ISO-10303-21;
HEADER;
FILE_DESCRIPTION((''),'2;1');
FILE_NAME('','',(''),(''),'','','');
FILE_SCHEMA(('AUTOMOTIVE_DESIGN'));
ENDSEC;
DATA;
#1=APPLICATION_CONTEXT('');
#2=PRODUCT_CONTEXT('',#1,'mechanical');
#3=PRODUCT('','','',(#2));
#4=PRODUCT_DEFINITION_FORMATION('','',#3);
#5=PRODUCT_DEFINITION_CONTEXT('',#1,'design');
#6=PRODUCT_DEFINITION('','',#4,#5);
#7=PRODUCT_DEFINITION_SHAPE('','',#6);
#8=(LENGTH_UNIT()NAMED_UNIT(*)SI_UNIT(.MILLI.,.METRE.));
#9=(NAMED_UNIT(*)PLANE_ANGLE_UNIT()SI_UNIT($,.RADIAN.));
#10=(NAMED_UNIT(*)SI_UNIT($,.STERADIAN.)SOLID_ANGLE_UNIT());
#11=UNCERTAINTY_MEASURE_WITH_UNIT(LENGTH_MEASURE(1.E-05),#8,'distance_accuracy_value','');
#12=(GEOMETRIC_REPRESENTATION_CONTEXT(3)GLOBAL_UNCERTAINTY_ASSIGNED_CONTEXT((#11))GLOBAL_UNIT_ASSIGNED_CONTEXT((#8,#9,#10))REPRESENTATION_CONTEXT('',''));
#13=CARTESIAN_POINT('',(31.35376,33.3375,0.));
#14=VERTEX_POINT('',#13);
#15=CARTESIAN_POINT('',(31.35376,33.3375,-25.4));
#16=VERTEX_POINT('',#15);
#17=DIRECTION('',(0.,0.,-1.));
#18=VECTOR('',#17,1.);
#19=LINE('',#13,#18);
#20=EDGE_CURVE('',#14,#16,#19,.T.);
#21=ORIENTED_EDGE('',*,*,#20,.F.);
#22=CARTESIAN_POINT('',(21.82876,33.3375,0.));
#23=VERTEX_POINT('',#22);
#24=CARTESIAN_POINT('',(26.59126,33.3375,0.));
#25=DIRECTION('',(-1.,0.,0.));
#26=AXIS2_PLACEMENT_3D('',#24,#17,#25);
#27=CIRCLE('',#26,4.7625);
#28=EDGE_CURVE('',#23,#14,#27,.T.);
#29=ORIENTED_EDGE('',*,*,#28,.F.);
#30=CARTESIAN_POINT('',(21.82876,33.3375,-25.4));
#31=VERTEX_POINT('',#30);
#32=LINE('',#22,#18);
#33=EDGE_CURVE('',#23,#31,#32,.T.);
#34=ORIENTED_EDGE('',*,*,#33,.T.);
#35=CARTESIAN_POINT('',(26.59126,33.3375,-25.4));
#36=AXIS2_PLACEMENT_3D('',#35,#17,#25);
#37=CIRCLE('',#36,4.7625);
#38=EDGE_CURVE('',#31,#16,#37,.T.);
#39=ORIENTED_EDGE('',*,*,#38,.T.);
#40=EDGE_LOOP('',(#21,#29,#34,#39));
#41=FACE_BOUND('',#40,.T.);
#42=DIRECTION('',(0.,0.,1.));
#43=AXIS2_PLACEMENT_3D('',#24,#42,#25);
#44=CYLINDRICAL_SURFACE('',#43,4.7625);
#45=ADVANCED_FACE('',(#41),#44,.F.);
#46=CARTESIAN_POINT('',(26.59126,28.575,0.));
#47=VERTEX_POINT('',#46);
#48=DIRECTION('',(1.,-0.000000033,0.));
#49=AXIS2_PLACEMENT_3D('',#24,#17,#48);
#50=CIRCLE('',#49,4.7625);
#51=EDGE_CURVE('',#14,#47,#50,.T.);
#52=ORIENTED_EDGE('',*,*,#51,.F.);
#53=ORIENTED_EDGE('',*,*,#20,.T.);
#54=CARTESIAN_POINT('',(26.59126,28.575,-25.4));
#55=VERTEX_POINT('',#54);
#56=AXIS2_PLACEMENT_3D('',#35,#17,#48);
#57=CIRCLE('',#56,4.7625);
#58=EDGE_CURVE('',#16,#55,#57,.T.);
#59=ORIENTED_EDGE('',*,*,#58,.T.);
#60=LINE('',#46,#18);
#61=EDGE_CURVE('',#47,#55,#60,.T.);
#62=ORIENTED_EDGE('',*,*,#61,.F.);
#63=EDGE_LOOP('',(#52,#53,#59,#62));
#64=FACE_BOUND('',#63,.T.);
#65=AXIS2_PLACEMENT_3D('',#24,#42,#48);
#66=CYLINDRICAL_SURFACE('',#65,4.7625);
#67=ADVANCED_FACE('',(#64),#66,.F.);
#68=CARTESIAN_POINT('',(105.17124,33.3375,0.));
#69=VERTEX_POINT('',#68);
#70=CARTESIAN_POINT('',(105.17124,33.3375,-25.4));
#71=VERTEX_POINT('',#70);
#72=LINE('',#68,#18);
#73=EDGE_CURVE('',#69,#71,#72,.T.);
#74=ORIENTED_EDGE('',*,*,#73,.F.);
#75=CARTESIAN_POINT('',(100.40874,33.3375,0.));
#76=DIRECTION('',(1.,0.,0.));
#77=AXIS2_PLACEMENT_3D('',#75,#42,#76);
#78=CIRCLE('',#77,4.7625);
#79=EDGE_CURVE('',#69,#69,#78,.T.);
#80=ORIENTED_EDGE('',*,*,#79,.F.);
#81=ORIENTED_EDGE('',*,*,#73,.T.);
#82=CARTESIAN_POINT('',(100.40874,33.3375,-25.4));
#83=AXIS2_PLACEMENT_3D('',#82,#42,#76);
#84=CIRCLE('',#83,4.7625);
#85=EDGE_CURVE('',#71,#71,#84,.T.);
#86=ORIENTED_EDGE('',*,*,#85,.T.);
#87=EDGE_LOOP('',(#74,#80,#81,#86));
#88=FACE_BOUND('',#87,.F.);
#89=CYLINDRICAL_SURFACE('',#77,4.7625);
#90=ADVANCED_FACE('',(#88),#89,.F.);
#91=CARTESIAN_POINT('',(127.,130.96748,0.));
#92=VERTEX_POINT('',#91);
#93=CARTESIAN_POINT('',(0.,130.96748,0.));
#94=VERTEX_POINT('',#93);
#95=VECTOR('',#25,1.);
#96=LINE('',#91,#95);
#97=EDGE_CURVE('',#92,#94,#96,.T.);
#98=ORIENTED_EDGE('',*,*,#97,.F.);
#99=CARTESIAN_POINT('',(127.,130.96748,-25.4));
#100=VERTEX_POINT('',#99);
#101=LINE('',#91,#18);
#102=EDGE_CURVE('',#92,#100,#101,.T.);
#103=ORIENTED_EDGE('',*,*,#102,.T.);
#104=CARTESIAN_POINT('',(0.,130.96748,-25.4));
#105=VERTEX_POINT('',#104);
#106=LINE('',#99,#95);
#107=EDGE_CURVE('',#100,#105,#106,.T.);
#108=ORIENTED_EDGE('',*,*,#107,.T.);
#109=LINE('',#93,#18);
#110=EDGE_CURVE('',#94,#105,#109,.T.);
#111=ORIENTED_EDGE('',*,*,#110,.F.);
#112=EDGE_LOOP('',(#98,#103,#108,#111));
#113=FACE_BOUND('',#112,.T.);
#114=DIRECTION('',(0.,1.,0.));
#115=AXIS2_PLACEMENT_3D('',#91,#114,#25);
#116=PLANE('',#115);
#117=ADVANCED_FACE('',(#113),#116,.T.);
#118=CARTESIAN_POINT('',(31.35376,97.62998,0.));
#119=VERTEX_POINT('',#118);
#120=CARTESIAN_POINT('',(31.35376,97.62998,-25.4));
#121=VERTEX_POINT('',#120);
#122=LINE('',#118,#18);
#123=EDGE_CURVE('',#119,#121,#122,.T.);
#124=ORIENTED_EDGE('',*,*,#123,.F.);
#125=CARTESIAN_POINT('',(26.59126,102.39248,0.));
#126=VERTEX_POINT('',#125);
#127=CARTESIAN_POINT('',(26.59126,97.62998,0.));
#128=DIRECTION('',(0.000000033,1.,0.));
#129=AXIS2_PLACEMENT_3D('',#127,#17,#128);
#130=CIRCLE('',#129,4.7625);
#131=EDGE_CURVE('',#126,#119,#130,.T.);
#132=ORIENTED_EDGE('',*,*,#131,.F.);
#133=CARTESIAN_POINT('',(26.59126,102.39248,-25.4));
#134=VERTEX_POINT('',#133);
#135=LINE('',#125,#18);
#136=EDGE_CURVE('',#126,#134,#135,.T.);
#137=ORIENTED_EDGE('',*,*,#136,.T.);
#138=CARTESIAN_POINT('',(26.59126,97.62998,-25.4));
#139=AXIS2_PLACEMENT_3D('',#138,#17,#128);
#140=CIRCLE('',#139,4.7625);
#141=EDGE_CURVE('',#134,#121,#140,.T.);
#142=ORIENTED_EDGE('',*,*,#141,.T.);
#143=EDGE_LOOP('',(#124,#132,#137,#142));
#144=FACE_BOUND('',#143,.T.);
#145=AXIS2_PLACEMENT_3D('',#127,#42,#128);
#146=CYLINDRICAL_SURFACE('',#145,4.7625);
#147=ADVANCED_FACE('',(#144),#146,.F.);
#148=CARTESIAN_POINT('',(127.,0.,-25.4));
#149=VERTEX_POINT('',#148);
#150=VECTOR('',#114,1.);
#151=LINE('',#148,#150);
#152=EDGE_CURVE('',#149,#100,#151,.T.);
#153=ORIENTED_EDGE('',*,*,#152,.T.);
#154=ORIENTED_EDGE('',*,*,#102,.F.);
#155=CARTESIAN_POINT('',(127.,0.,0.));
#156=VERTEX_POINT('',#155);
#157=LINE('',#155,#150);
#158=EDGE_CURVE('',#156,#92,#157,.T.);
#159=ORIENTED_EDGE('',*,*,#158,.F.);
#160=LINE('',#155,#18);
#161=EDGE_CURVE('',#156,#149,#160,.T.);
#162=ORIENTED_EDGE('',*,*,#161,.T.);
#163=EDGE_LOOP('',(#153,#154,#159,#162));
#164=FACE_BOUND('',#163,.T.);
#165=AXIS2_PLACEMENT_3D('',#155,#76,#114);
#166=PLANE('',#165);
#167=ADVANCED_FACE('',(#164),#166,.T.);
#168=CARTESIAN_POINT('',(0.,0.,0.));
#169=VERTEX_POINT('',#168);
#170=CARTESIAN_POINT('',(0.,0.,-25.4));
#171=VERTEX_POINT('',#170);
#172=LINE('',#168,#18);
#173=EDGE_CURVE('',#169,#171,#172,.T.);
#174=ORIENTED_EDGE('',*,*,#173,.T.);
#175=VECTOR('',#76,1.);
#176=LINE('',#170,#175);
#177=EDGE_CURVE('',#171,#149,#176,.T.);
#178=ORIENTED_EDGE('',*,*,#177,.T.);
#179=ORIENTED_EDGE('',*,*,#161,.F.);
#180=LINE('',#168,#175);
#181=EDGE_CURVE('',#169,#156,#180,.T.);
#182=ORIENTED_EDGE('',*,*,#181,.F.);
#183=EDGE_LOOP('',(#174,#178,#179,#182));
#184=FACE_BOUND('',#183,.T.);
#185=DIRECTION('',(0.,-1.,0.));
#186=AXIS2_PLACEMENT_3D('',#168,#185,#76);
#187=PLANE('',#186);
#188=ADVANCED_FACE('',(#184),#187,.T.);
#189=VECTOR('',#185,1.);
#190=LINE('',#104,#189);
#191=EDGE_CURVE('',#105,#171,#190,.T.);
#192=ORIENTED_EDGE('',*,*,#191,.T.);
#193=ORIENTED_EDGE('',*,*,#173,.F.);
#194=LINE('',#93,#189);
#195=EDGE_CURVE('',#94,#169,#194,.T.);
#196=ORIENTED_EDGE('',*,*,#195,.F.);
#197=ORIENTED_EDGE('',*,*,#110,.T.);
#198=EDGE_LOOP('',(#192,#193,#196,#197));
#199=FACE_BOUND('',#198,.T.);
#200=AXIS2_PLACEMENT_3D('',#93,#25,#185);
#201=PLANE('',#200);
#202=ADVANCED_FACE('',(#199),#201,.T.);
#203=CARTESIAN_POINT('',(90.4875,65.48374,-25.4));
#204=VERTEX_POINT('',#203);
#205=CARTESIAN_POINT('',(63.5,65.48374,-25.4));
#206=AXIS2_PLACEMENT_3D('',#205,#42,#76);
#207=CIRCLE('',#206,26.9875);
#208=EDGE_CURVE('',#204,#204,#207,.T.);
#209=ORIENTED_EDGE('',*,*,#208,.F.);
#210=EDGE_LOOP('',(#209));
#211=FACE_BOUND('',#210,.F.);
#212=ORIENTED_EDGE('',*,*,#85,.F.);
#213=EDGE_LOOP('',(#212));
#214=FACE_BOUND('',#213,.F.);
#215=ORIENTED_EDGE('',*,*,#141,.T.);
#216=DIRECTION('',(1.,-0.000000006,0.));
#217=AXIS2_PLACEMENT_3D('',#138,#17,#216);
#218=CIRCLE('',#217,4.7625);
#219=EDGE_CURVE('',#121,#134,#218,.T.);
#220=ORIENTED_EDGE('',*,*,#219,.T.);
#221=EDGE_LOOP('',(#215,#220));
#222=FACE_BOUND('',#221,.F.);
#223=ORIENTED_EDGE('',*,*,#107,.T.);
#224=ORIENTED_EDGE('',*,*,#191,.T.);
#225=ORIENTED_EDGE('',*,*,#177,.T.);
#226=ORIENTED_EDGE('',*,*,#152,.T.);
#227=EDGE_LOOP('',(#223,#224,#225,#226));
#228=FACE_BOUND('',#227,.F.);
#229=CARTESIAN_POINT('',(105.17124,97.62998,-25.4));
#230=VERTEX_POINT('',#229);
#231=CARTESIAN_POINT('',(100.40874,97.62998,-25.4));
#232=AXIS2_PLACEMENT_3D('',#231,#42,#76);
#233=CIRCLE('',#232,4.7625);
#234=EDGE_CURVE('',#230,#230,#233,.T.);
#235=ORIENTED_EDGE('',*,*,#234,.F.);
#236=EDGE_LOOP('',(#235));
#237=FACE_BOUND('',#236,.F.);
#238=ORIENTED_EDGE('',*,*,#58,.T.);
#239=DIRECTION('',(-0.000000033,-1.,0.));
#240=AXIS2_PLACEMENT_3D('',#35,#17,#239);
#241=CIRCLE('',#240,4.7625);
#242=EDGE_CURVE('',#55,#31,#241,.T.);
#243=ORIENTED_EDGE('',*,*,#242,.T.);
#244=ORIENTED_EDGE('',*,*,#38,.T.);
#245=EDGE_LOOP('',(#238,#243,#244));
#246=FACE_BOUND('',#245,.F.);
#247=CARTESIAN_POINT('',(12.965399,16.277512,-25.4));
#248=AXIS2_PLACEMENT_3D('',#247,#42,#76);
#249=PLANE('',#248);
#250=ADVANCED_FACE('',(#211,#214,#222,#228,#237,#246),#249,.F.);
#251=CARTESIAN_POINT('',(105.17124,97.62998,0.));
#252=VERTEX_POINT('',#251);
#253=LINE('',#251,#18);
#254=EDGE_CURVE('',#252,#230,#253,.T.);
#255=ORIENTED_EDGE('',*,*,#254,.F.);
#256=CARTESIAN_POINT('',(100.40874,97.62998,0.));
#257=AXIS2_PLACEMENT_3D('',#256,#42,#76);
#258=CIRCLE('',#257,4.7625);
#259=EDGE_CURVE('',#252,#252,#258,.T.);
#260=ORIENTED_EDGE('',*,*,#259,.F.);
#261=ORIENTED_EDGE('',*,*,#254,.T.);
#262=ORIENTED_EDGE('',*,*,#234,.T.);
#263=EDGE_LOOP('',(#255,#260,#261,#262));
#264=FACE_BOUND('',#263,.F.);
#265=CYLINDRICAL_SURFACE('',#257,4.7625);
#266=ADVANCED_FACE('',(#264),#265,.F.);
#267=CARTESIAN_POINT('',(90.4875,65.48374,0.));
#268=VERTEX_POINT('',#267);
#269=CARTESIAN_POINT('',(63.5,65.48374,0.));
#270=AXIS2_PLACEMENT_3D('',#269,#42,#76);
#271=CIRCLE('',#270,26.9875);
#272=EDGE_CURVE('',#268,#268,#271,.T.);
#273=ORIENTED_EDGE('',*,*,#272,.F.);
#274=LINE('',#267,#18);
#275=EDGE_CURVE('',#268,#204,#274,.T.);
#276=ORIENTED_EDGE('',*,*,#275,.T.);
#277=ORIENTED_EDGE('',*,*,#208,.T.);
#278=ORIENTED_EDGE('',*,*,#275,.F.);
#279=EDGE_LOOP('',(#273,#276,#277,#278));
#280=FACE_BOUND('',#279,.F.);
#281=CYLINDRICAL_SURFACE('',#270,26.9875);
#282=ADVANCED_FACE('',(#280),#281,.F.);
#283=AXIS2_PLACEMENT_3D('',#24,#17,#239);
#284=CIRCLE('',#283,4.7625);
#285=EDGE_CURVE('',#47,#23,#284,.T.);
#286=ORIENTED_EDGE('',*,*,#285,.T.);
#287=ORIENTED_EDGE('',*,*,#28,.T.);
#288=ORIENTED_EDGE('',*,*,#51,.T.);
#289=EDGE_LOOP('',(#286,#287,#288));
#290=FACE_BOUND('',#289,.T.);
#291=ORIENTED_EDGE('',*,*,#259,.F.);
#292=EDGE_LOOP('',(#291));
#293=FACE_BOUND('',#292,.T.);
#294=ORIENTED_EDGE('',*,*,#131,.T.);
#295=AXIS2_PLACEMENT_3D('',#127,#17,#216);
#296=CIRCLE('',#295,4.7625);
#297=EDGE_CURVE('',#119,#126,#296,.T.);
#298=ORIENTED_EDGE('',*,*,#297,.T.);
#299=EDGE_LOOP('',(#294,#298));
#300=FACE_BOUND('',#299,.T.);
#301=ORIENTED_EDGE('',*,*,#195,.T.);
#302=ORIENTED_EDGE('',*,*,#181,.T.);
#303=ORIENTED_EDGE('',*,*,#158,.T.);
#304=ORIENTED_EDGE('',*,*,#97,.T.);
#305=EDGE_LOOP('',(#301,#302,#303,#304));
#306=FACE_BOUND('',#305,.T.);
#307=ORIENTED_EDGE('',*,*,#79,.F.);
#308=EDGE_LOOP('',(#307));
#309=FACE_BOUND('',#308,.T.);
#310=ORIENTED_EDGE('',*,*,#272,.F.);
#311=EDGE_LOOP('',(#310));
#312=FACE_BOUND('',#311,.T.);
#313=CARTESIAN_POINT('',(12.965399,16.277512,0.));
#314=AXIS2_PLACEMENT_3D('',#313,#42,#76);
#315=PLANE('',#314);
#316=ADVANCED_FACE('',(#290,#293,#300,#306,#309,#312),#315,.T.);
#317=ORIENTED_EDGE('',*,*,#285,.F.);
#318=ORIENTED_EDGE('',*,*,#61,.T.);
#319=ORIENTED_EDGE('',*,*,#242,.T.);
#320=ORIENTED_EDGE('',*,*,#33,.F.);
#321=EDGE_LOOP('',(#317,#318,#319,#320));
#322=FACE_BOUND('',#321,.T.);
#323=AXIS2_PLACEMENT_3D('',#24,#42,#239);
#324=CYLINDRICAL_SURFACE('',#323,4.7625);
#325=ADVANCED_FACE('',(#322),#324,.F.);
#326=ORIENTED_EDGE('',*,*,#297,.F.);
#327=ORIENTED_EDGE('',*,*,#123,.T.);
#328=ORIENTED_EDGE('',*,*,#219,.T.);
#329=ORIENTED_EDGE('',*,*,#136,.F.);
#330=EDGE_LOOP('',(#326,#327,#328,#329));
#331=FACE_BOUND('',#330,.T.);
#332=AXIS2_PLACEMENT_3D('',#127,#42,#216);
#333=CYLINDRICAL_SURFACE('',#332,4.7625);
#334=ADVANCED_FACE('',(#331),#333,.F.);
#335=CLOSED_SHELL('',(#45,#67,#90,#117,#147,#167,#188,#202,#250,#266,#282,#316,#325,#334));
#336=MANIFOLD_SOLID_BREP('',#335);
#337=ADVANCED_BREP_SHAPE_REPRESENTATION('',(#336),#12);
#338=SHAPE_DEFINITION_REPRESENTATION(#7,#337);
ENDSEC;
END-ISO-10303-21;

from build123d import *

# Parameters (mm, degrees)
F0_R     = 4.7625
F0_R_2   = 26.9875
F1_DEPTH = 25.4


with BuildPart() as f1:
    # F0 (on Top) → F1 (new body)
    with BuildSketch(Plane.XY):
        with BuildLine():
            Line((0, 33.3375), (0, 0))
            Line((0, 0), (26.59126, 0))
            Line((26.59126, 0), (26.59126, 28.575))
            ThreePointArc((26.59126, 28.575), (23.223664, 29.969904), (21.82876, 33.3375))
            Line((21.82876, 33.3375), (0, 33.3375))
        make_face()
        with Locations((100.40874, 33.3375)):
            Circle(F0_R)
        with BuildLine():
            ThreePointArc((31.35376, 97.62998), (29.958856, 100.997576), (26.59126, 102.39248))
            ThreePointArc((26.59126, 102.39248), (23.223664, 94.262384), (31.35376, 97.62998))
        make_face()
        with BuildLine():
            Line((26.59126, 28.575), (26.59126, 0))
            Line((26.59126, 0), (127, 0))
            Line((127, 0), (127, 33.3375))
            Line((127, 33.3375), (127, 130.96748))
            Line((127, 130.96748), (26.59126, 130.96748))
            Line((26.59126, 130.96748), (0, 130.96748))
            Line((0, 130.96748), (0, 33.3375))
            Line((0, 33.3375), (21.82876, 33.3375))
            ThreePointArc((21.82876, 33.3375), (26.59126, 38.1), (31.35376, 33.3375))
            ThreePointArc((31.35376, 33.3375), (29.958856, 29.969904), (26.59126, 28.575))
        make_face()
        with Locations((100.40874, 33.3375)):
            Circle(F0_R, mode=Mode.SUBTRACT)
        with BuildLine():
            ThreePointArc((31.35376, 97.62998), (23.223664, 94.262384), (26.59126, 102.39248))
            ThreePointArc((26.59126, 102.39248), (29.958856, 100.997576), (31.35376, 97.62998))
        make_face(mode=Mode.SUBTRACT)
        with Locations((63.5, 65.48374)):
            Circle(F0_R_2, mode=Mode.SUBTRACT)
        with Locations((100.40874, 97.62998)):
            Circle(F0_R, mode=Mode.SUBTRACT)
    extrude(amount=-F1_DEPTH)


solid = f1.part
